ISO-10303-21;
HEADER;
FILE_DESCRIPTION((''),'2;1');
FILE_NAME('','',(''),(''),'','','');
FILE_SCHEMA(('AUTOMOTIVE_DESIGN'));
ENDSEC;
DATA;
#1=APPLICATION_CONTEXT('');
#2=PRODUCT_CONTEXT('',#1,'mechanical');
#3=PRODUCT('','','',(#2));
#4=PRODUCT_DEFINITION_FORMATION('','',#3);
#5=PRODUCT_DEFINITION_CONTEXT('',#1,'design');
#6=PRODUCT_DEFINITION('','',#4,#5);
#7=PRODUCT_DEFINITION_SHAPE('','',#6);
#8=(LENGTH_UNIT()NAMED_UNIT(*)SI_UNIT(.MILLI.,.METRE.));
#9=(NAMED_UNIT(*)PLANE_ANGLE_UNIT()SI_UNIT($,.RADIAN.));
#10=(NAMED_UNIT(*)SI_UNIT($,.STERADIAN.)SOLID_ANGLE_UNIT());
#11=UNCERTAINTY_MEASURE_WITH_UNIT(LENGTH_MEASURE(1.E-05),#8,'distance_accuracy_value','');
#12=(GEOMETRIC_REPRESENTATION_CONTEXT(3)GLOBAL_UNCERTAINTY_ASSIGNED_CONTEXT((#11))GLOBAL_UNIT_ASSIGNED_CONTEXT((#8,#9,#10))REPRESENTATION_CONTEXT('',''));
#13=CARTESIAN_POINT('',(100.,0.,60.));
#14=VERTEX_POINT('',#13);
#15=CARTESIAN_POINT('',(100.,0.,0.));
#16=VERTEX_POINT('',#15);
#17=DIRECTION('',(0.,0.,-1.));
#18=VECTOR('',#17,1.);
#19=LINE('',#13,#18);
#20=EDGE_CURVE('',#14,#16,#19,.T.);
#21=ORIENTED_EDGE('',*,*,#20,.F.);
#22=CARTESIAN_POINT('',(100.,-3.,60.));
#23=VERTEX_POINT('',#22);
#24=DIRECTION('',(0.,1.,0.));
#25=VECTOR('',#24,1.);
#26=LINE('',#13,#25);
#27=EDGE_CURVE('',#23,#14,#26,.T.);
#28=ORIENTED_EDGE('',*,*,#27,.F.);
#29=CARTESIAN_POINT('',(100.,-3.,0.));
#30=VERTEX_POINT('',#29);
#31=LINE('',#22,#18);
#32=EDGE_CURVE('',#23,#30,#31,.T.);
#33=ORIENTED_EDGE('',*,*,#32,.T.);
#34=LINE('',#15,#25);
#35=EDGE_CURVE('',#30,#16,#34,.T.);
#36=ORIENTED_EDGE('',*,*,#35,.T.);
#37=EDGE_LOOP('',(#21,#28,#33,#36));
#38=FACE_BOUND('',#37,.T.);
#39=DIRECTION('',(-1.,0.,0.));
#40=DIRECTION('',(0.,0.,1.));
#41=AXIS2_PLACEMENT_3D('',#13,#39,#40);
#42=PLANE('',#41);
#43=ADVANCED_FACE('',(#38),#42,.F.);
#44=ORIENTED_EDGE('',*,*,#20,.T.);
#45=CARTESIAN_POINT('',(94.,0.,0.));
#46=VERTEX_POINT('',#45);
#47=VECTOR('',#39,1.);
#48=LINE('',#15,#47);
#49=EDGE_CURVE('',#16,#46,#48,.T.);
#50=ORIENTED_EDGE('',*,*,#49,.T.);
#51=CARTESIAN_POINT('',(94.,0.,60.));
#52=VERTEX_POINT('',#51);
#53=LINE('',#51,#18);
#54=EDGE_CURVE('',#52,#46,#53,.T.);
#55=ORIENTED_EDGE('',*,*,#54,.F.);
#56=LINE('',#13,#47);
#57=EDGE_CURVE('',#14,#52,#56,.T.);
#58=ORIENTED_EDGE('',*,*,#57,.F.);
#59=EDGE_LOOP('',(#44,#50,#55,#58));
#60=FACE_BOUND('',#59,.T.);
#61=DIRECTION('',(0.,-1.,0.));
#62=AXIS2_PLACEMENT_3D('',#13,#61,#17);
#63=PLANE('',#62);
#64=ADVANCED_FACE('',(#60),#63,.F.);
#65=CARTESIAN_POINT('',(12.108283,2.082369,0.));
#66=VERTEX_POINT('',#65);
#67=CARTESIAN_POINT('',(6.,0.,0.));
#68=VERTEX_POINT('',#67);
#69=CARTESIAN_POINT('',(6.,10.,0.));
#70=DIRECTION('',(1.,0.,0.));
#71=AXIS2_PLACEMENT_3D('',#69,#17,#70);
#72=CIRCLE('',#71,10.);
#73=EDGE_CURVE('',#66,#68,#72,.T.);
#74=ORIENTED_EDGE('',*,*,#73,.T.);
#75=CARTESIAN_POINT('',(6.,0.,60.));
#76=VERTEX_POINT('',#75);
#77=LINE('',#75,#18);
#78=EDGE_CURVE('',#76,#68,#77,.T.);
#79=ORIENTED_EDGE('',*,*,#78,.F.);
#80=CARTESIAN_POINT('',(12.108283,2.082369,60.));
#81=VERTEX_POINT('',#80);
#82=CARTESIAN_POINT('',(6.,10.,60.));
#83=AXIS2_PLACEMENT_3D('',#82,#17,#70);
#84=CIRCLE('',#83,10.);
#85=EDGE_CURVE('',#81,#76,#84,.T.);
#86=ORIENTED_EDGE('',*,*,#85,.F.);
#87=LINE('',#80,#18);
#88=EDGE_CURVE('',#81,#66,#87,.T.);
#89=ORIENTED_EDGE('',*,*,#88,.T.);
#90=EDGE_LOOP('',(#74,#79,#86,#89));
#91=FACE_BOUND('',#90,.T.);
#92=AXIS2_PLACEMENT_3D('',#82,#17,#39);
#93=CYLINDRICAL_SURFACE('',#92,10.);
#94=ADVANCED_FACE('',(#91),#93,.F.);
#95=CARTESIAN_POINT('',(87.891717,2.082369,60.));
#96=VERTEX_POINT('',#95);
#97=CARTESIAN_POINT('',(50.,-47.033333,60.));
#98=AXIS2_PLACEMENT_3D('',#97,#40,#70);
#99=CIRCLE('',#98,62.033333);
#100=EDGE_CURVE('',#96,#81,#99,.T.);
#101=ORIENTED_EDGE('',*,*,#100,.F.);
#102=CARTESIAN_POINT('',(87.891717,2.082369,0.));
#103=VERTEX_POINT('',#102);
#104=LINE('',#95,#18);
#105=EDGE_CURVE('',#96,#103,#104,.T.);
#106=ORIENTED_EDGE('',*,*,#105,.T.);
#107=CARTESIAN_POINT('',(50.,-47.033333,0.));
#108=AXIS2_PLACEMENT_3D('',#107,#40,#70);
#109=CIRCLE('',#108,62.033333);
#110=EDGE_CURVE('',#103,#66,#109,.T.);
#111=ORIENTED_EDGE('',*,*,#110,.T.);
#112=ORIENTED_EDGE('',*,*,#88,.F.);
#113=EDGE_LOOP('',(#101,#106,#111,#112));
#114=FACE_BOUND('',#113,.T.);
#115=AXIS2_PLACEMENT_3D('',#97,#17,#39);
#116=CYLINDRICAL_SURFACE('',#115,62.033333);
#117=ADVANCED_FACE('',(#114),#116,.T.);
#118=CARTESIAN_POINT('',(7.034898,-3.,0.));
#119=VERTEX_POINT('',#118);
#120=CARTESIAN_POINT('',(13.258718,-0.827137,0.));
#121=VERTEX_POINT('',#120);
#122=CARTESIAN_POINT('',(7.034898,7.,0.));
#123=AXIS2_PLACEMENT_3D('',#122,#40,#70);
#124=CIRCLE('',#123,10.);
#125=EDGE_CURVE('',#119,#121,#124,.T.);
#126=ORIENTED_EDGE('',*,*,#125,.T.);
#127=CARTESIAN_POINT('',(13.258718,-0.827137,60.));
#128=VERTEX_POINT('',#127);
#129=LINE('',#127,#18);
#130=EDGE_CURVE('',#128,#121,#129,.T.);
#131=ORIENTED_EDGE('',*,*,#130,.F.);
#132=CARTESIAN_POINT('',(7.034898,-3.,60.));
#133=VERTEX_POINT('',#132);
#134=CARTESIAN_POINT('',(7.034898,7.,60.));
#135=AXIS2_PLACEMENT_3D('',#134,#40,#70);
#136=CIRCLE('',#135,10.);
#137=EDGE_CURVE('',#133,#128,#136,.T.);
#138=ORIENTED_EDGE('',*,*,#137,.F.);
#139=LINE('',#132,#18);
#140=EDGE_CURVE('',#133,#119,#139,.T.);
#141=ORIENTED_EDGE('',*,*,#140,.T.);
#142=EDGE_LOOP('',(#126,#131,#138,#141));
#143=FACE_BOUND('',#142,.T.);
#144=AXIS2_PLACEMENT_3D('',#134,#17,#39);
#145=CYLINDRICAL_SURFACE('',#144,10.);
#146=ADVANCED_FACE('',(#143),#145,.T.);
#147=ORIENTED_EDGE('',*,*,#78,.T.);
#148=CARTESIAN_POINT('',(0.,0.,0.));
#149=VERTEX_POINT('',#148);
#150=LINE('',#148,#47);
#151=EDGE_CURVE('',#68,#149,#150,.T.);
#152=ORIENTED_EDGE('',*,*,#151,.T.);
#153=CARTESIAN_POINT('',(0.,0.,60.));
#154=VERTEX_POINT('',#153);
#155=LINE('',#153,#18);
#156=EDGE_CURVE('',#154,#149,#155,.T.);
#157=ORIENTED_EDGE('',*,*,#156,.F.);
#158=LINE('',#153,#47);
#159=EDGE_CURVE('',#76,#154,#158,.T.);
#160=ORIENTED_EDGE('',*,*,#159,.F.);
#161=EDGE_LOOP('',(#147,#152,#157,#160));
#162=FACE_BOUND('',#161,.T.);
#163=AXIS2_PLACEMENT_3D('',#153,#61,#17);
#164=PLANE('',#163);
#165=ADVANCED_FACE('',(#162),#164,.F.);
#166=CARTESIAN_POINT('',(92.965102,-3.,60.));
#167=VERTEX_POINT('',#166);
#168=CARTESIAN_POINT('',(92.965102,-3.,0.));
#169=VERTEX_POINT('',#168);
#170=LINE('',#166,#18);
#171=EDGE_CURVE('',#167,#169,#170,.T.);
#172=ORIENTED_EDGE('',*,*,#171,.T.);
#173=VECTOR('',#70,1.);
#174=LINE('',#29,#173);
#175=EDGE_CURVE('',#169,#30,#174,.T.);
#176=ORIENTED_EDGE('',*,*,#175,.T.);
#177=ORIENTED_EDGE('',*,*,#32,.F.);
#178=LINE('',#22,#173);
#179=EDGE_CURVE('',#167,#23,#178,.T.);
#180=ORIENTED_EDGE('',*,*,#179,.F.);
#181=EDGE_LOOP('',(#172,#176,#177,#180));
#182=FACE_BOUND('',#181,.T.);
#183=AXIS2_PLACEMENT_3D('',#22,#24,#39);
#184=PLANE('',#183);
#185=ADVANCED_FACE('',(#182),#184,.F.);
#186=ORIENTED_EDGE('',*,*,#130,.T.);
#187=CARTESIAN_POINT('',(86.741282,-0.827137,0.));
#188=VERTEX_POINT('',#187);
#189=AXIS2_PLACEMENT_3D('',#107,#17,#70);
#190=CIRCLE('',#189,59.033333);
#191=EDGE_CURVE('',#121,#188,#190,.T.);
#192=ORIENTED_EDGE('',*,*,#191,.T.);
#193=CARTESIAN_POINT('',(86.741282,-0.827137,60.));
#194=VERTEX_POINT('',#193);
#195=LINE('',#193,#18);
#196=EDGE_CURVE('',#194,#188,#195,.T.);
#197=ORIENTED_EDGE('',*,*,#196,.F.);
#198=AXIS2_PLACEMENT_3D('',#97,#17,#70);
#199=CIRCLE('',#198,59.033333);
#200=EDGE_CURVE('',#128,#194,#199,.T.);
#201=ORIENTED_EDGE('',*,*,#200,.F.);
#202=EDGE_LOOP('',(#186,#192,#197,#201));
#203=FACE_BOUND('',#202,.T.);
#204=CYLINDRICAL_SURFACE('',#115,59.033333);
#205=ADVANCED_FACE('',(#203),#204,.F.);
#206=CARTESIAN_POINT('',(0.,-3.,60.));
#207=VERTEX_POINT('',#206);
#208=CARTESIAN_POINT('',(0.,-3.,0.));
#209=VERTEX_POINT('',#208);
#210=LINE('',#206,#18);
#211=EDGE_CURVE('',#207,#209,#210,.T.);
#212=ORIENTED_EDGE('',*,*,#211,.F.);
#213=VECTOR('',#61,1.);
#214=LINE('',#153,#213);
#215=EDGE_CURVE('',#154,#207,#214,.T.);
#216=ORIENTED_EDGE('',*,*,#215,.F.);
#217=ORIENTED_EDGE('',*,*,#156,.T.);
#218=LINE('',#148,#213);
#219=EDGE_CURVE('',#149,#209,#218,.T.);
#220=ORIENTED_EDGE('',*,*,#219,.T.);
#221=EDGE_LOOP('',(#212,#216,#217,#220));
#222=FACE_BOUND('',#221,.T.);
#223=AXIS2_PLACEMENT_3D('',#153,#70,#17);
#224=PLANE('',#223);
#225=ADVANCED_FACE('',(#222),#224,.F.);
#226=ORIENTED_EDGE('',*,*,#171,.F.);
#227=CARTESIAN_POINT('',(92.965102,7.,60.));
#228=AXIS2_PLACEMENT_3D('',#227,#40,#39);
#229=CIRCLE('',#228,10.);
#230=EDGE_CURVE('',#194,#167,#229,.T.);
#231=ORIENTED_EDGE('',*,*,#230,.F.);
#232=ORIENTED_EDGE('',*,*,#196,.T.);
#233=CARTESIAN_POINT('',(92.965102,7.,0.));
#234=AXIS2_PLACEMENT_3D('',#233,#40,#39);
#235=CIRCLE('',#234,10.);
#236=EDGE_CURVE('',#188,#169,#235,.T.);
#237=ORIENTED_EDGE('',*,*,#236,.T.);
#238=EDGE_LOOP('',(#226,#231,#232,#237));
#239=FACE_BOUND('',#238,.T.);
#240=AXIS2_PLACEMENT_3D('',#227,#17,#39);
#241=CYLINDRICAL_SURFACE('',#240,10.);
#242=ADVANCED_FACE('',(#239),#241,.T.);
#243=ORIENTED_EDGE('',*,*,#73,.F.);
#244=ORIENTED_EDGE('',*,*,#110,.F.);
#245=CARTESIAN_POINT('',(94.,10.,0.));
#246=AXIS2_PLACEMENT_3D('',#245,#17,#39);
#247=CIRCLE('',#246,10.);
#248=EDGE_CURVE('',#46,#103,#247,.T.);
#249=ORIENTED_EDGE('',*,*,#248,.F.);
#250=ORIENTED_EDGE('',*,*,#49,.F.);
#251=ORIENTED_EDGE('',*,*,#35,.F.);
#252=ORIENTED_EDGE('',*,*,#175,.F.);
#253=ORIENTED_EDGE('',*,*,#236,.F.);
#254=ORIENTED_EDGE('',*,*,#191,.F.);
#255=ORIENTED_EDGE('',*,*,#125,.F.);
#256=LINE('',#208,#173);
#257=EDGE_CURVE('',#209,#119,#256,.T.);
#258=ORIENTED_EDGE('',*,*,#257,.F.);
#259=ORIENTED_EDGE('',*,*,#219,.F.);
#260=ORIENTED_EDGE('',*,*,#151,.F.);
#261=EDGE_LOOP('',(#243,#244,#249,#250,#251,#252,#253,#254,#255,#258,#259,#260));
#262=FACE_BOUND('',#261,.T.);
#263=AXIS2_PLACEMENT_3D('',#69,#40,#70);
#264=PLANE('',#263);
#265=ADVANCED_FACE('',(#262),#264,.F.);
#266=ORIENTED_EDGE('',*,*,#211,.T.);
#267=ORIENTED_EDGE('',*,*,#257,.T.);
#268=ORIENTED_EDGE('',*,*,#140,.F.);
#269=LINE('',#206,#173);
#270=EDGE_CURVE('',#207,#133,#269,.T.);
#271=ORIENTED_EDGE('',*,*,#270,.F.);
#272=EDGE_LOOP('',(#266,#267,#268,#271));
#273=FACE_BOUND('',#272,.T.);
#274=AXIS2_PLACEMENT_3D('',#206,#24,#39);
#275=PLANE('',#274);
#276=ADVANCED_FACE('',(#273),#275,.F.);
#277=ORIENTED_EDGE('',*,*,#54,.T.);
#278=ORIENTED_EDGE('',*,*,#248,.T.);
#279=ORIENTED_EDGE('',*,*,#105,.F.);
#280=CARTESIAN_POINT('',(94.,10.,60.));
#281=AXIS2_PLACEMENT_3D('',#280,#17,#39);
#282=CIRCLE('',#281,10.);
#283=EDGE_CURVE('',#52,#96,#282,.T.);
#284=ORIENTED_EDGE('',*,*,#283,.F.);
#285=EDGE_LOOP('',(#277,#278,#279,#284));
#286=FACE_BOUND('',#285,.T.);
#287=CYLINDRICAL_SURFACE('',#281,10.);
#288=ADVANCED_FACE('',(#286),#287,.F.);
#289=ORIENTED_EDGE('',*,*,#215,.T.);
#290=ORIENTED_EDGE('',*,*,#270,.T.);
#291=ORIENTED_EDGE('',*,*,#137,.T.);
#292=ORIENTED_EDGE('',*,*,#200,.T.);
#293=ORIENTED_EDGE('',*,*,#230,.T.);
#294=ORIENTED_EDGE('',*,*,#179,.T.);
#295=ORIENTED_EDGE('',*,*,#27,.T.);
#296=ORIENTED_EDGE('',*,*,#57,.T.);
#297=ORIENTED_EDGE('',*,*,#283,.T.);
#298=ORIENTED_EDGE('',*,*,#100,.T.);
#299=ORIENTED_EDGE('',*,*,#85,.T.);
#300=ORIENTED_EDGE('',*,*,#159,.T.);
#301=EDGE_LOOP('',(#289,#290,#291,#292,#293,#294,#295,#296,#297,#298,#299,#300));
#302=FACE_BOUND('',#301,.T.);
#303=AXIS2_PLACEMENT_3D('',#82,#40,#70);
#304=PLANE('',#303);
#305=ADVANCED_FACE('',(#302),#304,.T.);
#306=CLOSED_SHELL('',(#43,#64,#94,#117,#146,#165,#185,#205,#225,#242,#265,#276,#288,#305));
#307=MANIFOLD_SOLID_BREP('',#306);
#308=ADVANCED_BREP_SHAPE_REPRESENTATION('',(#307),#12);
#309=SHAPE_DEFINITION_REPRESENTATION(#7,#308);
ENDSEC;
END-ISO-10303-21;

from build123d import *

# Parameters (mm, degrees)
BOSS_EXTRUDE1_DEPTH = 60


with BuildPart() as part:
    # Sketch1 → Boss-Extrude1 (new body)
    with BuildSketch(Plane.XY):
        with BuildLine():
            Line((0, 0), (0, -3))
            Line((0, -3), (7.034897882, -3))
            ThreePointArc((7.034897882, -3), (10.331004184, -2.441169591), (13.2587176, -0.827136649))
            ThreePointArc((13.2587176, -0.827136649), (50, 12), (86.7412824, -0.827136649))
            ThreePointArc((86.7412824, -0.827136649), (89.668995816, -2.441169591), (92.965102118, -3))
            Line((92.965102118, -3), (100, -3))
            Line((100, -3), (100, 0))
            Line((100, 0), (94, 0))
            ThreePointArc((94, 0), (90.773260722, 0.534898118), (87.891716798, 2.082369273))
            ThreePointArc((87.891716798, 2.082369273), (50, 15), (12.108283202, 2.082369273))
            ThreePointArc((12.108283202, 2.082369273), (9.226739278, 0.534898118), (6, 0))
            Line((6, 0), (0, 0))
        make_face()
    extrude(amount=BOSS_EXTRUDE1_DEPTH)


solid = part.part
